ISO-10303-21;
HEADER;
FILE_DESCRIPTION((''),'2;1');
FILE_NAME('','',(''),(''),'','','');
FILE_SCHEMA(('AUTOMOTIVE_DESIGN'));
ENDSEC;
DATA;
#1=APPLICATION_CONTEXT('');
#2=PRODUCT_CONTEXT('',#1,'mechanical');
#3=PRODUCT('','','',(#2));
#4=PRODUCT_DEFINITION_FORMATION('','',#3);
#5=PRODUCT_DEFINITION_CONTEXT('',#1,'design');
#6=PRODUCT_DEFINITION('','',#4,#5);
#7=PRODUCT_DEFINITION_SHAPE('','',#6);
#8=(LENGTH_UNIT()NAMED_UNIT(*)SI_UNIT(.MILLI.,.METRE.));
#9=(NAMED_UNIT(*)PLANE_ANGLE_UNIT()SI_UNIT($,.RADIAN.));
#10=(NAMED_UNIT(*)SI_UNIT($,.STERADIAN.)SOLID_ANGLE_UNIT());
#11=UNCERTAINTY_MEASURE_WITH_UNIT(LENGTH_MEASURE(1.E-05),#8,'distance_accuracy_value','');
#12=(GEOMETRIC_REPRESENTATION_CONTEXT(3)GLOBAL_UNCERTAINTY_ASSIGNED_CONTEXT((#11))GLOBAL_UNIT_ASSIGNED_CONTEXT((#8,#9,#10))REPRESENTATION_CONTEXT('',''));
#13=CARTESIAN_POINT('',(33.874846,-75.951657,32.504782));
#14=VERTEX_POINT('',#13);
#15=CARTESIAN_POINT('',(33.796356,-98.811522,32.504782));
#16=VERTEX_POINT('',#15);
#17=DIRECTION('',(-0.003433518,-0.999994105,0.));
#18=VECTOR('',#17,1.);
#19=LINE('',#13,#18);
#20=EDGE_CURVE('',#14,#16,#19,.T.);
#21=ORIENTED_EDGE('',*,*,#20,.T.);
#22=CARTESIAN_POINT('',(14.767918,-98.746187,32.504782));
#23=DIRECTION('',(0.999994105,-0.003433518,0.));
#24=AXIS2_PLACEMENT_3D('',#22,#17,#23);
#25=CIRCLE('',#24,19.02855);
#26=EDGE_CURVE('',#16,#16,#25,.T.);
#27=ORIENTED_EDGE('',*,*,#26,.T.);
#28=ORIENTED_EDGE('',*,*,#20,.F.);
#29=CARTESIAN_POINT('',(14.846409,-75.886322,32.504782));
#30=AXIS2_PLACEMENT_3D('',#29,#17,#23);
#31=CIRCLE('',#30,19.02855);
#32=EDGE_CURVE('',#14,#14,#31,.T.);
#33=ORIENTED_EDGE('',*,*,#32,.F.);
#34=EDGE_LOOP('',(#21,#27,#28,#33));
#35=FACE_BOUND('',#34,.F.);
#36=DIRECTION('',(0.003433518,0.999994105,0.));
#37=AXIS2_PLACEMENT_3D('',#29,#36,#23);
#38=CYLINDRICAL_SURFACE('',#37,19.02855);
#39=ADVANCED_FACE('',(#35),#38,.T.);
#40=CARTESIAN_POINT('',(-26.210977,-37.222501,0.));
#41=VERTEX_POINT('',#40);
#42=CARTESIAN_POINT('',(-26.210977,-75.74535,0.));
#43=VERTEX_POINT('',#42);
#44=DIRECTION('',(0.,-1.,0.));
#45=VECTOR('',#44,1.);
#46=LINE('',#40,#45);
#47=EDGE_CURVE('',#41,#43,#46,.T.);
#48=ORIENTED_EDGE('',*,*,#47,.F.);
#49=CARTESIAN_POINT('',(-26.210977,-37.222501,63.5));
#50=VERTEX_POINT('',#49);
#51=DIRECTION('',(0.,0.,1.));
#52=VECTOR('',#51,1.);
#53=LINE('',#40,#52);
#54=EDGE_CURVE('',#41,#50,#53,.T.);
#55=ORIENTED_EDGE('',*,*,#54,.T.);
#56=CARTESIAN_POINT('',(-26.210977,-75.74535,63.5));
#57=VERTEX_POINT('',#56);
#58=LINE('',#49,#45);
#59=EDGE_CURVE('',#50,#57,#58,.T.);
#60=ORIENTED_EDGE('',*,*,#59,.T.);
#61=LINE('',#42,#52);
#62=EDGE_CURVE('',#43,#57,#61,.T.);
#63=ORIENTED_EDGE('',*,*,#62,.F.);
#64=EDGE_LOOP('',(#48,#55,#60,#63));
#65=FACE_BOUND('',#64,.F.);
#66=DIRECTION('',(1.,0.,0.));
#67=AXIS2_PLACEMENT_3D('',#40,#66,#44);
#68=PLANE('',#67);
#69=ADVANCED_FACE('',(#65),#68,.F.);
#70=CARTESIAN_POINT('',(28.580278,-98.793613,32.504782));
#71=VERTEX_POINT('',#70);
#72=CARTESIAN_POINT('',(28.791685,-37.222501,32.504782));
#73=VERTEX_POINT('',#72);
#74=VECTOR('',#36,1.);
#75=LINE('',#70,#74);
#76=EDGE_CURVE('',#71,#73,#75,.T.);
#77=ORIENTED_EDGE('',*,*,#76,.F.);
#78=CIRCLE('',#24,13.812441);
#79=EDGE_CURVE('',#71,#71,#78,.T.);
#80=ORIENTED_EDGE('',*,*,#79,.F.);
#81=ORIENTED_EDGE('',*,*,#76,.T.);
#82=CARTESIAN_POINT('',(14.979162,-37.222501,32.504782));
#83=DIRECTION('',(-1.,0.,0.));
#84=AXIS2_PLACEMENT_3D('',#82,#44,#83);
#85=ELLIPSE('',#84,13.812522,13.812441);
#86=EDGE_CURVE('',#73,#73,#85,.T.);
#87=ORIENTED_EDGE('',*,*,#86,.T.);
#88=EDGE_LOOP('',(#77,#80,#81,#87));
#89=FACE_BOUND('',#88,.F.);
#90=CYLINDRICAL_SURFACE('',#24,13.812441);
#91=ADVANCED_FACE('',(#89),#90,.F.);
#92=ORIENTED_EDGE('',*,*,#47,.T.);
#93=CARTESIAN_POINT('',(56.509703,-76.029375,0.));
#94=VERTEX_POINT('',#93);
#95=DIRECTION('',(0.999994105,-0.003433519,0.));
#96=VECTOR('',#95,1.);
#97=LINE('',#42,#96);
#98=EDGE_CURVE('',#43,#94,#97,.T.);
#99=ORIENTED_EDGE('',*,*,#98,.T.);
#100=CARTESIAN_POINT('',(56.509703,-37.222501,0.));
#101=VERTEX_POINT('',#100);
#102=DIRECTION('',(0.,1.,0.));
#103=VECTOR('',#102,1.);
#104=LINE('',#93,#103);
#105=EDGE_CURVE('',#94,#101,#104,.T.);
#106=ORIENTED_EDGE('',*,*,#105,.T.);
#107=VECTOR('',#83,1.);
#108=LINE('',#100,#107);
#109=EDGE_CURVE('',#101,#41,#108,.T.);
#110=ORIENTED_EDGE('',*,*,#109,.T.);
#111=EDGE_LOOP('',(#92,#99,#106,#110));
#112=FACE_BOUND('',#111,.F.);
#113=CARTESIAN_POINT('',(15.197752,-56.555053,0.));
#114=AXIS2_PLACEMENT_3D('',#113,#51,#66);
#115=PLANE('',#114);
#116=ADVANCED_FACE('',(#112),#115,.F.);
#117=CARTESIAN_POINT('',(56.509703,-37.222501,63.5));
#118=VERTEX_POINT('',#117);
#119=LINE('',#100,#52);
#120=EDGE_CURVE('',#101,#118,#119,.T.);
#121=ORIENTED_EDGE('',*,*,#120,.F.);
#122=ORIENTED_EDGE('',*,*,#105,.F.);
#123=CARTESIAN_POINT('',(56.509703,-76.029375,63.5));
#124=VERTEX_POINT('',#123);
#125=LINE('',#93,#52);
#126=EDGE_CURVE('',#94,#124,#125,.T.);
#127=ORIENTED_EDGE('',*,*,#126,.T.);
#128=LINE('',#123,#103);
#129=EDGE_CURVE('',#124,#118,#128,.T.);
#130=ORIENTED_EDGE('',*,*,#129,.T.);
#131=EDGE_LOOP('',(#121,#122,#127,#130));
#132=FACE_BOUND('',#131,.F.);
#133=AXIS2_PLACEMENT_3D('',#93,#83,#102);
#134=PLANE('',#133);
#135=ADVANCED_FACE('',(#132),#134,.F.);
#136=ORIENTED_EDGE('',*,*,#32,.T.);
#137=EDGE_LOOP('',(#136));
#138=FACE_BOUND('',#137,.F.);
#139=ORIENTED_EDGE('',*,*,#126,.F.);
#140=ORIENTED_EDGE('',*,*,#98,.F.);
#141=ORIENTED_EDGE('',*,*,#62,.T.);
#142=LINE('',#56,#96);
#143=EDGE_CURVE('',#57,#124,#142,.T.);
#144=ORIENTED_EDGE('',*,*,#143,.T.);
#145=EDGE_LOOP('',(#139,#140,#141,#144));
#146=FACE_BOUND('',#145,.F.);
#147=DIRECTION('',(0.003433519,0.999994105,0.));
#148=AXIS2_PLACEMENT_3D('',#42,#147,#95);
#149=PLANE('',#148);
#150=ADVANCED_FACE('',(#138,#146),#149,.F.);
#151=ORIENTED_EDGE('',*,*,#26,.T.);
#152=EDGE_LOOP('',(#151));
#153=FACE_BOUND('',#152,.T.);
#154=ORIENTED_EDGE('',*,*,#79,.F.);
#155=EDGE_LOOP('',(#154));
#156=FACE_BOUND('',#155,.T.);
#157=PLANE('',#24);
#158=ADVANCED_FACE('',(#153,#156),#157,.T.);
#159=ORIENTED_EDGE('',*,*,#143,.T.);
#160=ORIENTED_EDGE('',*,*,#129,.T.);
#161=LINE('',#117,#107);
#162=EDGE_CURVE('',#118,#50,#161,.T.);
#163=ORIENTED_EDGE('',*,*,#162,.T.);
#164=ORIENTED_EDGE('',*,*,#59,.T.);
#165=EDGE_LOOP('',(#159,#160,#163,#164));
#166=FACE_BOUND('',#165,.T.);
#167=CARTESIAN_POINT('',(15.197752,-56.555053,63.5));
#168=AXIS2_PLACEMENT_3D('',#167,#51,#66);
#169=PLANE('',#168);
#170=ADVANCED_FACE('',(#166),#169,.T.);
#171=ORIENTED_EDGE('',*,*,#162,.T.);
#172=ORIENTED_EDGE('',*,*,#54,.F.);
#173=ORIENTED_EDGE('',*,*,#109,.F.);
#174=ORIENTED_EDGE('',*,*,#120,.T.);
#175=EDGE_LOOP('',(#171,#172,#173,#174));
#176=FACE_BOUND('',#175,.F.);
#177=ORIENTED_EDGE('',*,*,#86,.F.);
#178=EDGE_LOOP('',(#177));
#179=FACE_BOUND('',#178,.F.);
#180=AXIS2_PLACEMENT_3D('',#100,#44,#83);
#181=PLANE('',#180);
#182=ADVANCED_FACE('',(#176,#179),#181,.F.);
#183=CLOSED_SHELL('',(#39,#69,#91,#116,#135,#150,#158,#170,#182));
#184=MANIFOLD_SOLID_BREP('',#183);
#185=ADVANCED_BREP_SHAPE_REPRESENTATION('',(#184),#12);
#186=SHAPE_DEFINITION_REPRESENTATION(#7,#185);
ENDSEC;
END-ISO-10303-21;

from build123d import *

# Parameters (mm, degrees)
F1_DEPTH      = 63.5
F2_R          = 19.0285497791
F3_DEPTH      = 22.86
F4_R          = 13.812440818
F5_DEPTH      = 0.2070362903
F5_DEPTH_BACK = 61.6676449049


with BuildPart() as f1:
    # F0 (on Top) → F1 (new body)
    with BuildSketch(Plane.XY):
        Polygon((-26.2109767646, -75.7453498801), (56.5097033978, -76.0293745441), (56.5097033978, -37.2225008905), (-26.2109767646, -37.2225008905), align=None)
    extrude(amount=F1_DEPTH)

    # F2 (on face) → F3 (join)
    with BuildSketch(Plane(origin=(-0.2603805333, -75.8344522589, 0), x_dir=(0.9999941055, -0.0034335185, 0), z_dir=(-0.0034335185, -0.9999941055, 0))):
        with Locations((15.1068782434, 32.5047820807)):
            Circle(F2_R)
    extrude(amount=F3_DEPTH)

    # F4 (on face) → F5 (cut, two sides)
    with BuildSketch(Plane(origin=(-0.3388707674, -98.6943175097, 0), x_dir=(0.9999941055, -0.0034335185, 0), z_dir=(-0.0034335185, -0.9999941055, 0))) as f5_sk:
        with Locations((15.1068782434, 32.5047820807)):
            Circle(F4_R)
    extrude(amount=F5_DEPTH, mode=Mode.SUBTRACT)
    extrude(f5_sk.sketch, amount=-F5_DEPTH_BACK, mode=Mode.SUBTRACT)


solid = f1.part
